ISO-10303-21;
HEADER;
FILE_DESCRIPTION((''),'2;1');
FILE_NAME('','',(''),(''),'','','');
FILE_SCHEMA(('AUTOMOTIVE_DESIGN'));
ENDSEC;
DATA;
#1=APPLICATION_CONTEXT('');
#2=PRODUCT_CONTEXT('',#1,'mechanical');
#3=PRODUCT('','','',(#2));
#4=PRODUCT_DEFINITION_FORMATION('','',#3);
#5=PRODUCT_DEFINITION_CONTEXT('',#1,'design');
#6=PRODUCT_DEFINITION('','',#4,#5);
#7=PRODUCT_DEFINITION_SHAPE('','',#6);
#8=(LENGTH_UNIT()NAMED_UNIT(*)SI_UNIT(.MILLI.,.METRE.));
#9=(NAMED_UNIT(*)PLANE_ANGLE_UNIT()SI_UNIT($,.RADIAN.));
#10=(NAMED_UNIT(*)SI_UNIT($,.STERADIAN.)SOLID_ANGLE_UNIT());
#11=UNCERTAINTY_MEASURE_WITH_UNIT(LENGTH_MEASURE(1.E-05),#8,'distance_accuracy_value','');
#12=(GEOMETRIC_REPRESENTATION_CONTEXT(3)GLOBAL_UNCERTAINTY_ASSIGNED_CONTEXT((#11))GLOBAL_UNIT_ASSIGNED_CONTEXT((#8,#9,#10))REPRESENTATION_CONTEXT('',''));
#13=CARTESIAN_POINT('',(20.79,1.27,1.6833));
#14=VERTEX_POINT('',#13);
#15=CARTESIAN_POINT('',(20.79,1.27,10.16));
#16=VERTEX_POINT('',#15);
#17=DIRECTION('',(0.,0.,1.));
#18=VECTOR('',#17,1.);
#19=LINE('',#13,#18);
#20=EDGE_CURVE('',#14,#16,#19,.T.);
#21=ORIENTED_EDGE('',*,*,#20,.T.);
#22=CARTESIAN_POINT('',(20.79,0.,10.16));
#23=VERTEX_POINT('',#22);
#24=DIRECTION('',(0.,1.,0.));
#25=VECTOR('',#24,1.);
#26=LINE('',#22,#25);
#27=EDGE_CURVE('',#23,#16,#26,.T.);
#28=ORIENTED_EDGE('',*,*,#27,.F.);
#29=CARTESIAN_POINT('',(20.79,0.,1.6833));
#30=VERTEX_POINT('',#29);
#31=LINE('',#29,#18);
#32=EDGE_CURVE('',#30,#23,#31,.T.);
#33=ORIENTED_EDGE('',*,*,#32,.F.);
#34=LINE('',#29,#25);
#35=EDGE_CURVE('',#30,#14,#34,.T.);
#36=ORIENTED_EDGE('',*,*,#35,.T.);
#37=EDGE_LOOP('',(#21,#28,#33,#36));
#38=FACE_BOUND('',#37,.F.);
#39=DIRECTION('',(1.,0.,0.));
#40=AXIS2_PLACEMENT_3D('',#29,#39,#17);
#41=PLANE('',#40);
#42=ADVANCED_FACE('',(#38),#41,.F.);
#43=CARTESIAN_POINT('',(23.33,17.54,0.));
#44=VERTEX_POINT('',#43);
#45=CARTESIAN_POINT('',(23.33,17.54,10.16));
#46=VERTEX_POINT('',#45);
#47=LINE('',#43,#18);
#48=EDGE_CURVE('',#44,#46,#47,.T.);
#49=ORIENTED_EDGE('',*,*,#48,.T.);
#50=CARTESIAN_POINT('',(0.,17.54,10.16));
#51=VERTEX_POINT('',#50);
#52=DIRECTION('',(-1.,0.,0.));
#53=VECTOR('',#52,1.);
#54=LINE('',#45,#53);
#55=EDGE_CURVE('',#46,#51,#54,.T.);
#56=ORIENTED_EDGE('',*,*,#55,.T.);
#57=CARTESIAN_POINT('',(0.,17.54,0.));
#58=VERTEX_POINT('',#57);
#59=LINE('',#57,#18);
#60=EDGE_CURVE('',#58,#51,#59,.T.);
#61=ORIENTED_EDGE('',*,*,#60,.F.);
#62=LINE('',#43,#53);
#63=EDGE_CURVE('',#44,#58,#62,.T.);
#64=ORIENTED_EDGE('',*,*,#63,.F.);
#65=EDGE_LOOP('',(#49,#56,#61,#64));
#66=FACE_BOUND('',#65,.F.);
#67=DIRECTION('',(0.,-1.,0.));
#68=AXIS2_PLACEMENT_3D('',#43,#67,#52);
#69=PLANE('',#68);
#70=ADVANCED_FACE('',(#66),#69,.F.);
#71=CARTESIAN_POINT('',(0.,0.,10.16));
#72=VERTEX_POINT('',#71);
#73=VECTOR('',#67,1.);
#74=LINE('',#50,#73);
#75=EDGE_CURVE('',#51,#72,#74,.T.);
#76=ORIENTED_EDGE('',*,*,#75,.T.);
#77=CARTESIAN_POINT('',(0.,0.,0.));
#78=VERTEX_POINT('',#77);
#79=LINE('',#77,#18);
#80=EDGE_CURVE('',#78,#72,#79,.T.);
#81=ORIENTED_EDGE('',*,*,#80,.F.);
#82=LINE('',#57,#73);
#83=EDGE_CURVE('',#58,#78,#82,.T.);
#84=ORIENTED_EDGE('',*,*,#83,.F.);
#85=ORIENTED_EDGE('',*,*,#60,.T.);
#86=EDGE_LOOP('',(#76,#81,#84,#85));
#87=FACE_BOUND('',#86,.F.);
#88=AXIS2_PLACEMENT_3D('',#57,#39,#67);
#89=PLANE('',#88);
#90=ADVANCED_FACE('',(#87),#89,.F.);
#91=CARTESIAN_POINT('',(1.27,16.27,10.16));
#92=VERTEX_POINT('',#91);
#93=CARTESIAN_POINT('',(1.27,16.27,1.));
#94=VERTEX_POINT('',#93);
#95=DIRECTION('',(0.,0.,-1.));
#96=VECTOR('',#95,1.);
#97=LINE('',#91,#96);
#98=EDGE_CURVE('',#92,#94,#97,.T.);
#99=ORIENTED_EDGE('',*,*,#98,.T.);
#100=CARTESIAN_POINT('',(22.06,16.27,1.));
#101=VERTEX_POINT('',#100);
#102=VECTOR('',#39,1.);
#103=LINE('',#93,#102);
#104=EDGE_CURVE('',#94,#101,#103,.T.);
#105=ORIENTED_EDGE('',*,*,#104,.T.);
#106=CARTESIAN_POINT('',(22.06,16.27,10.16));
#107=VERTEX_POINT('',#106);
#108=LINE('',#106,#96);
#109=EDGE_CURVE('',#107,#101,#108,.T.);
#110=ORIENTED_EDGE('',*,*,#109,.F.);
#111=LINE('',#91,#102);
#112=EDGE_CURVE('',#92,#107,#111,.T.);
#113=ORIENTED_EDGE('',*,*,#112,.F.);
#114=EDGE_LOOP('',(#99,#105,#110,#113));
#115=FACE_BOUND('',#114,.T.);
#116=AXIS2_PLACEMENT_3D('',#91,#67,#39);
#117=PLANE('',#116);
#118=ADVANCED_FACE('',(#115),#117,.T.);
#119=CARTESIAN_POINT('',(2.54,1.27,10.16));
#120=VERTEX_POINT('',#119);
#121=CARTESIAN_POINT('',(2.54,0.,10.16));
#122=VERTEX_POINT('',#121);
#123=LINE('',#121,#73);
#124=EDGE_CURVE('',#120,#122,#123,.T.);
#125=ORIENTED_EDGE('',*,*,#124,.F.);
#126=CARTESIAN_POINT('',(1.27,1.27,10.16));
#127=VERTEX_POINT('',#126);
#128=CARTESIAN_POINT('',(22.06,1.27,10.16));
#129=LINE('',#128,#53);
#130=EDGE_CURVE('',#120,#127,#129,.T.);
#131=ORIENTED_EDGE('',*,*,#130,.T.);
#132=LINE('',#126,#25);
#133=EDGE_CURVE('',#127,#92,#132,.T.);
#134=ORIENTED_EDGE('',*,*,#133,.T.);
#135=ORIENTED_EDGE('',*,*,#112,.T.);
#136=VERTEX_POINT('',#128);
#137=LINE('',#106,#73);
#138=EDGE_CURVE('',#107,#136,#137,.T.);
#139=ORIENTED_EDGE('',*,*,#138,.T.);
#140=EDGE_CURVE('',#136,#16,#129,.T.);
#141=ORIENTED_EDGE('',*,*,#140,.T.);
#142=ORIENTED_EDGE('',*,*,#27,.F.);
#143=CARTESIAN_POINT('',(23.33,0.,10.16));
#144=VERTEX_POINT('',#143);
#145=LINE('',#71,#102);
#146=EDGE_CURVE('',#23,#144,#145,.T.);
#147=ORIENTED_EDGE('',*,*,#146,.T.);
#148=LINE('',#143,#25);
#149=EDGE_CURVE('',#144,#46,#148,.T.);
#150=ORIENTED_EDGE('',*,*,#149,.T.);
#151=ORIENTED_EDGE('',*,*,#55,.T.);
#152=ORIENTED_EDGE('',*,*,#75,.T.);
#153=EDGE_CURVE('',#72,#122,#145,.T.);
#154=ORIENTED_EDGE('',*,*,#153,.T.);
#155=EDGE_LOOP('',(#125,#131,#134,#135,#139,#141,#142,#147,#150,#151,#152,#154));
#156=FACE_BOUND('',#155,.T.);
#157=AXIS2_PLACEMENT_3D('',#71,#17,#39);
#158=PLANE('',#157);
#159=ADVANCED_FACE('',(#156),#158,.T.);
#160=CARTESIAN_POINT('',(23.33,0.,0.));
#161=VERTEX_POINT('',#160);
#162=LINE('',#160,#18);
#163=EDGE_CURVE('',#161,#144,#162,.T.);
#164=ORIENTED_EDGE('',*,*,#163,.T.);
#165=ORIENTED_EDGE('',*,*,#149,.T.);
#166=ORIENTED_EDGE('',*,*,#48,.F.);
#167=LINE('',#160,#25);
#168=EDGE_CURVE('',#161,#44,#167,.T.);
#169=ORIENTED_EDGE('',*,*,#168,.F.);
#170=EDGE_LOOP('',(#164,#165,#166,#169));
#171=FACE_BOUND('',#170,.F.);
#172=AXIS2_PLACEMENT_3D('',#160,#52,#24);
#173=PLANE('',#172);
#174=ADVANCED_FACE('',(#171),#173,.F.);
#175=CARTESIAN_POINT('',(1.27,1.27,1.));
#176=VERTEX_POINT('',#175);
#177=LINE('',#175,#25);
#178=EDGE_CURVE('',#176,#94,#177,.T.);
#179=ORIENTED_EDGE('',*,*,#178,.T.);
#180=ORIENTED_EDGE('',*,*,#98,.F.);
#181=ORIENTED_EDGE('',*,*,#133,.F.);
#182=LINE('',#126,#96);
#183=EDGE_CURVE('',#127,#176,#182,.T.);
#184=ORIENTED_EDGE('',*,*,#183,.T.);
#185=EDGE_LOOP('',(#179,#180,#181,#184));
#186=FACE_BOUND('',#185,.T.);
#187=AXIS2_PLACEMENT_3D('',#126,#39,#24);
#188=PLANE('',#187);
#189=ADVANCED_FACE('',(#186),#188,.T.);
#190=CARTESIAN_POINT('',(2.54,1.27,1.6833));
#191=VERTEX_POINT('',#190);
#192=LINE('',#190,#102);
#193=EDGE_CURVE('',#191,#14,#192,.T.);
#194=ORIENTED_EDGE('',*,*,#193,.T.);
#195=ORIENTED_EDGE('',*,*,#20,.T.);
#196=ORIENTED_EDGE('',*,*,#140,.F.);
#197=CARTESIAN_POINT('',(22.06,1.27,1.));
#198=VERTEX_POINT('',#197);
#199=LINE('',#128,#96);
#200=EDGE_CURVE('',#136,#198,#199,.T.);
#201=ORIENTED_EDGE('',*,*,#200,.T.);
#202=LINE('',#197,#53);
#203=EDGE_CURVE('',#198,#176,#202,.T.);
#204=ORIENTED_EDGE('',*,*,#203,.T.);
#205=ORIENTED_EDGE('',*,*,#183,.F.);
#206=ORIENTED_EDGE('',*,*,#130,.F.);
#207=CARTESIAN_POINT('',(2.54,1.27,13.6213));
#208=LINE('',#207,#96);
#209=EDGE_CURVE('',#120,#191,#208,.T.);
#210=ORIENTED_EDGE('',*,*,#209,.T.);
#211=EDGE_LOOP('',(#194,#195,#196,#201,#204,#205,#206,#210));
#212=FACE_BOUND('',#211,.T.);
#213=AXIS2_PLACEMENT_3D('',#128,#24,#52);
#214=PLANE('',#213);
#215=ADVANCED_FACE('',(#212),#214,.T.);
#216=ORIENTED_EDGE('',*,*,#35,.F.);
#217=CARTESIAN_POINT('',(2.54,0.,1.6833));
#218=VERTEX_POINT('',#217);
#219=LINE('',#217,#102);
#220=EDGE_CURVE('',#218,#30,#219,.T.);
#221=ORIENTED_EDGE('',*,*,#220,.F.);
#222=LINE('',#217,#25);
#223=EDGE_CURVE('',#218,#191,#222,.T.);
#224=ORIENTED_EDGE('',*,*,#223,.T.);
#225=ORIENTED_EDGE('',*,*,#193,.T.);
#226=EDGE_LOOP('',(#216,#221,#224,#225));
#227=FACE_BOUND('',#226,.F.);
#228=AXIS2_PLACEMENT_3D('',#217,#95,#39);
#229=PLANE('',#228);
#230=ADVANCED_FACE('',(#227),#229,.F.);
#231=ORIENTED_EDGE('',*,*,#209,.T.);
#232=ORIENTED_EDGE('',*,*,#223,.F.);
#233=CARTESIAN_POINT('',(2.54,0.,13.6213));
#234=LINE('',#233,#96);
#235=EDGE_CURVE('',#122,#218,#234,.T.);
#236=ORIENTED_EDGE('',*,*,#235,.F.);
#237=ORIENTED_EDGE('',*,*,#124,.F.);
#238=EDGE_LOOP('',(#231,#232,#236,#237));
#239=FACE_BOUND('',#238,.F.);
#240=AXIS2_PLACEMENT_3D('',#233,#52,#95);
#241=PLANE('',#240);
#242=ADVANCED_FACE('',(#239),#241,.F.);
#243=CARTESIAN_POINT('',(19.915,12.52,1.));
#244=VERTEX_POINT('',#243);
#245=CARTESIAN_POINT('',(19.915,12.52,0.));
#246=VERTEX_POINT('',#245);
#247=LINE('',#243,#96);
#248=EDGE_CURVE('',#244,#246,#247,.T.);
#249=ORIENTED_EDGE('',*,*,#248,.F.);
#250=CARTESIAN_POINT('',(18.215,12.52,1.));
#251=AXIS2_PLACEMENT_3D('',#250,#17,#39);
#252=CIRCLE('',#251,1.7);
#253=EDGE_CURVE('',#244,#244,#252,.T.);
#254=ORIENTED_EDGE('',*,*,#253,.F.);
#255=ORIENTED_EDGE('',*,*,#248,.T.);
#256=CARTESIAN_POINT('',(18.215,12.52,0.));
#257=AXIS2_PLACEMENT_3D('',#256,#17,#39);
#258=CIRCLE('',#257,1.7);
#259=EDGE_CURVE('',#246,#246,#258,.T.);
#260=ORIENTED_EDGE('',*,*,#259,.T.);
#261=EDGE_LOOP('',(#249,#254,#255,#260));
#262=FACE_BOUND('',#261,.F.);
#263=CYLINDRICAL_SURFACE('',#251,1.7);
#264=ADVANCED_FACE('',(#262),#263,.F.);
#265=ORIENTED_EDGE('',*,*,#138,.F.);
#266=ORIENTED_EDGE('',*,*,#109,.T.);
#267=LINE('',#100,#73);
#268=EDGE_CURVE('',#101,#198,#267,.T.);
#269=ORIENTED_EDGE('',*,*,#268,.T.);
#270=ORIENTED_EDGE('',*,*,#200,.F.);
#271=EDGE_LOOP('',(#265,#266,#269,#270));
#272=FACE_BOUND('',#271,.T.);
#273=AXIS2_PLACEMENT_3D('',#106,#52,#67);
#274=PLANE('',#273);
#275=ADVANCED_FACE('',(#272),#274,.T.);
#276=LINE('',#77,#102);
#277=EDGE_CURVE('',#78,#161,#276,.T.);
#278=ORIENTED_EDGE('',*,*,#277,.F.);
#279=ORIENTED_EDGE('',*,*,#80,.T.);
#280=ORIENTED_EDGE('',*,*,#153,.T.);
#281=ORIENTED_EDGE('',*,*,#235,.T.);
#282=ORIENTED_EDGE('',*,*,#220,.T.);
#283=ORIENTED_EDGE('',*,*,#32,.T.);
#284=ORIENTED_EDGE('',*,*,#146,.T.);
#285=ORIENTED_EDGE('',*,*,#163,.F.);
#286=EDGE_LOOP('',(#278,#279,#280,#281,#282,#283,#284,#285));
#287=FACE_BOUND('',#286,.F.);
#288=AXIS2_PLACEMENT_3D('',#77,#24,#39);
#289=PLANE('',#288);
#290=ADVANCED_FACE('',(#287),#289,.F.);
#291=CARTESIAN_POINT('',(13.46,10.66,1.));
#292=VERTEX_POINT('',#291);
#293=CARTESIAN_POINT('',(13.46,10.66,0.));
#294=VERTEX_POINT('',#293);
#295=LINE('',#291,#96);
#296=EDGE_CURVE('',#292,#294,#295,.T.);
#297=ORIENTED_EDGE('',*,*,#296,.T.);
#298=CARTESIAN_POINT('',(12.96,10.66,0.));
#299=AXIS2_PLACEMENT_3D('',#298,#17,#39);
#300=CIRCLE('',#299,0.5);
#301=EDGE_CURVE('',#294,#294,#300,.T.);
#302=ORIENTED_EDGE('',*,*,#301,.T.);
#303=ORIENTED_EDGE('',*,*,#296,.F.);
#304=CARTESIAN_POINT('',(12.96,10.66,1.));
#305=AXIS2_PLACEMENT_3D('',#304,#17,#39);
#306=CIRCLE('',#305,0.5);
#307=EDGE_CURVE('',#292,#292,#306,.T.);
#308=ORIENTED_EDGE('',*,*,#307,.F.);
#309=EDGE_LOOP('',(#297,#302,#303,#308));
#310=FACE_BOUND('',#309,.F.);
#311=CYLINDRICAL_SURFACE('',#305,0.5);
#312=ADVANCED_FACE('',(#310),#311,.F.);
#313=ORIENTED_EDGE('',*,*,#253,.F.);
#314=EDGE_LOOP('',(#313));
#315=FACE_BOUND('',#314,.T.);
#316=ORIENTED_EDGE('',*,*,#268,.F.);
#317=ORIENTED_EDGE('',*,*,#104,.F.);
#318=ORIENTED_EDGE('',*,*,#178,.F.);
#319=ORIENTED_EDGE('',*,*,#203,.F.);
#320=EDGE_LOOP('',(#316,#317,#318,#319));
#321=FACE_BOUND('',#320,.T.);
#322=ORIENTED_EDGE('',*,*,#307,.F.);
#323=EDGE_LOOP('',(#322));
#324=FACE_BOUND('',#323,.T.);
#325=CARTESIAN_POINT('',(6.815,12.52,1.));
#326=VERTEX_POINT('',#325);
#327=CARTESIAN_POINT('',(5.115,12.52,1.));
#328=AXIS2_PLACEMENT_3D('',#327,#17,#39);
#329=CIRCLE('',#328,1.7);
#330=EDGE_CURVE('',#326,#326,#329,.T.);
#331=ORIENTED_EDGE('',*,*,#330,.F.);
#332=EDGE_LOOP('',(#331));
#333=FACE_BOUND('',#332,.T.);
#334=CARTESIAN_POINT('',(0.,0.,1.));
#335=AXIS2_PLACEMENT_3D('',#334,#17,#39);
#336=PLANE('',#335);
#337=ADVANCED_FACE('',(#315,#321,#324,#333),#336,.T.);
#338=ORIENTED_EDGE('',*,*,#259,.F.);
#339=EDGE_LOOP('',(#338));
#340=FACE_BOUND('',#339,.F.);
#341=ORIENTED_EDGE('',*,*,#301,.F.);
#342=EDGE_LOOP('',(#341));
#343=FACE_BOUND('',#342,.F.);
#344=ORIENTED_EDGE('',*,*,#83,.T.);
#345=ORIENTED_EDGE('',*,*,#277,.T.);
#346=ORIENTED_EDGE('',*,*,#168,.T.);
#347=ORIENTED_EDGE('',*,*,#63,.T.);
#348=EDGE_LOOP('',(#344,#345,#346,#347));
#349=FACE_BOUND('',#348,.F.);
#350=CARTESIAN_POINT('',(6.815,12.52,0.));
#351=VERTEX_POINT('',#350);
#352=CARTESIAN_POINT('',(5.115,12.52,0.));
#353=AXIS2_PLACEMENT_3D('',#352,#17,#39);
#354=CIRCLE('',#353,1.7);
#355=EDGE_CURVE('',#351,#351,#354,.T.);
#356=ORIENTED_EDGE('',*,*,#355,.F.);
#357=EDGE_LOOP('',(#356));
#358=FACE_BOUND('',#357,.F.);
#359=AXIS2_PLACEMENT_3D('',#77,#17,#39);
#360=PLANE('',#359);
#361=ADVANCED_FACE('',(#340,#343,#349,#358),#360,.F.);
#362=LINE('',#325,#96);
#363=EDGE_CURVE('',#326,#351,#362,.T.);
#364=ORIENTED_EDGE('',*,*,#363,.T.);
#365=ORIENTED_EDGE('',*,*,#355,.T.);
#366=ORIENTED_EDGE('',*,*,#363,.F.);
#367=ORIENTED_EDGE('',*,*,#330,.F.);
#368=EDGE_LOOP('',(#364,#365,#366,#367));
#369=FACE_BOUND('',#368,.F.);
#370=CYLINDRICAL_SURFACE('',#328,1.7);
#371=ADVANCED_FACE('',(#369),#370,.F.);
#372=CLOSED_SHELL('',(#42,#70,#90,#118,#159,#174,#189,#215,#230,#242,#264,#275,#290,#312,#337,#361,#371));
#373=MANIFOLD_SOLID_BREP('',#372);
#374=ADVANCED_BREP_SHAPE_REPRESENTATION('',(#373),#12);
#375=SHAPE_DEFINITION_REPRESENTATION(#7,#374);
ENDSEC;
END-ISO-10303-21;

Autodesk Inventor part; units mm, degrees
ref_plane "YZ Plane" through (0, 0, 0) normal (1, 0, 0) x (0, 1, 0)
ref_plane "XZ Plane" through (0, 0, 0) normal (0, 1, 0) x (-1, 0, 0)
ref_plane "XY Plane" through (0, 0, 0) normal (0, 0, 1) x (1, 0, 0)
sketch "Sketch1" plane through (0, 0, 0) normal (0, 0, 1) x (1, 0, 0)
  line L0 (0, 0) -> (23.33, 0)
  line L1 (23.33, 0) -> (23.33, 17.54)
  line L2 (23.33, 17.54) -> (0, 17.54)
  line L3 (0, 17.54) -> (0, 0)
  dimension "d0" = 23.33
  dimension "d1" = 17.54
extrude "Extrusion1" add sketch "Sketch1" along normal blind 10.16
sketch "Sketch2" plane through (0, 0, 10.16) normal (0, 0, 1) x (1, 0, 0)
  line L0 (1.27, 16.27) -> (22.06, 16.27)
  line L1 (22.06, 16.27) -> (22.06, 1.27)
  line L2 (22.06, 1.27) -> (1.27, 1.27)
  line L3 (1.27, 1.27) -> (1.27, 16.27)
  line L4 (0, 0) -> (23.33, 0) projected
  line L5 (23.33, 0) -> (23.33, 17.54) projected
  line L6 (23.33, 17.54) -> (0, 17.54) projected
  line L7 (0, 17.54) -> (0, 0) projected
  dimension "d4" = 1.27
  dimension "d5" = 1.27
  dimension "d6" = 1.27
  dimension "d7" = 1.27
extrude "Extrusion2" cut sketch "Sketch2" against normal blind 9.16 contours L0 L1 L2 L3
sketch "Sketch3" plane through (0, 0, 1) normal (0, 0, 1) x (1, 0, 0)
  line L0 (23.33, 17.54) -> (0, 17.54) construction
  line L1 (11.665, 17.54) -> (11.665, 0) construction
  line L2 (0, 0) -> (23.33, 0) construction
  line L3 (23.33, 0) -> (23.33, 17.54) construction
  line L4 (23.33, 8.77) -> (0, 8.77) construction
  line L5 (0, 17.54) -> (0, 0) construction
  circle A0 centre (5.115, 12.52) radius 1.7
  circle A1 centre (12.96, 10.66) radius 0.5
  circle A2 centre (18.215, 12.52) radius 1.7
  line L6 (1.27, 16.27) -> (22.06, 16.27) projected
  dimension "d10" = 3.4
  dimension "d11" = 3.4
  dimension "d13" = 6.55
  dimension "d14" = 6.55
  dimension "d15" = 3.75
  dimension "d16" = 3.75
  dimension "d17" = 1
  dimension "d18" = 5.255
  dimension "d19" = 1.86
extrude "Extrusion3" cut sketch "Sketch3" against normal through all
sketch "Sketch4" plane through (0, 0, 0) normal (0, -1, 0) x (1, 0, 0)
  line L0 (2.54, 1.6833) -> (20.79, 1.6833)
  line L1 (20.79, 1.6833) -> (20.79, 13.6213)
  line L2 (20.79, 13.6213) -> (2.54, 13.6213)
  line L3 (2.54, 13.6213) -> (2.54, 1.6833)
  line L4 (1.27, 10.16) -> (1.27, 1) projected
  line L5 (22.06, 10.16) -> (22.06, 1) projected
  point P0 (0, 0)
  dimension "d22" = 1.27
  dimension "d23" = 1.27
  dimension "d24" = 11.938
extrude "Extrusion4" cut sketch "Sketch4" against normal up to surface (1.27 mm away)
equation "\"d5\" = d4"
equation "\"d6\" = d4"
equation "\"d7\" = d4"
equation "\"d10\" = m3_clearance"
equation "\"d11\" = d12"
equation "\"d14\" = d13"
equation "\"d16\" = d15"
equation "\"d23\" = d22"
equation "\"m3_heat_set_insert\" = 4"
equation "\"m3_clearance\" = 3.4"
equation "\"m3_heat_set_depth\" = 7"
equation "\"robot_diameter\" = 354"
equation "\"hardboard_thickness\" = 5"
equation "\"motor_centerline_height\" = 13"
equation "\"d12\" = 3.4"
properties part number "microphone_casing"
